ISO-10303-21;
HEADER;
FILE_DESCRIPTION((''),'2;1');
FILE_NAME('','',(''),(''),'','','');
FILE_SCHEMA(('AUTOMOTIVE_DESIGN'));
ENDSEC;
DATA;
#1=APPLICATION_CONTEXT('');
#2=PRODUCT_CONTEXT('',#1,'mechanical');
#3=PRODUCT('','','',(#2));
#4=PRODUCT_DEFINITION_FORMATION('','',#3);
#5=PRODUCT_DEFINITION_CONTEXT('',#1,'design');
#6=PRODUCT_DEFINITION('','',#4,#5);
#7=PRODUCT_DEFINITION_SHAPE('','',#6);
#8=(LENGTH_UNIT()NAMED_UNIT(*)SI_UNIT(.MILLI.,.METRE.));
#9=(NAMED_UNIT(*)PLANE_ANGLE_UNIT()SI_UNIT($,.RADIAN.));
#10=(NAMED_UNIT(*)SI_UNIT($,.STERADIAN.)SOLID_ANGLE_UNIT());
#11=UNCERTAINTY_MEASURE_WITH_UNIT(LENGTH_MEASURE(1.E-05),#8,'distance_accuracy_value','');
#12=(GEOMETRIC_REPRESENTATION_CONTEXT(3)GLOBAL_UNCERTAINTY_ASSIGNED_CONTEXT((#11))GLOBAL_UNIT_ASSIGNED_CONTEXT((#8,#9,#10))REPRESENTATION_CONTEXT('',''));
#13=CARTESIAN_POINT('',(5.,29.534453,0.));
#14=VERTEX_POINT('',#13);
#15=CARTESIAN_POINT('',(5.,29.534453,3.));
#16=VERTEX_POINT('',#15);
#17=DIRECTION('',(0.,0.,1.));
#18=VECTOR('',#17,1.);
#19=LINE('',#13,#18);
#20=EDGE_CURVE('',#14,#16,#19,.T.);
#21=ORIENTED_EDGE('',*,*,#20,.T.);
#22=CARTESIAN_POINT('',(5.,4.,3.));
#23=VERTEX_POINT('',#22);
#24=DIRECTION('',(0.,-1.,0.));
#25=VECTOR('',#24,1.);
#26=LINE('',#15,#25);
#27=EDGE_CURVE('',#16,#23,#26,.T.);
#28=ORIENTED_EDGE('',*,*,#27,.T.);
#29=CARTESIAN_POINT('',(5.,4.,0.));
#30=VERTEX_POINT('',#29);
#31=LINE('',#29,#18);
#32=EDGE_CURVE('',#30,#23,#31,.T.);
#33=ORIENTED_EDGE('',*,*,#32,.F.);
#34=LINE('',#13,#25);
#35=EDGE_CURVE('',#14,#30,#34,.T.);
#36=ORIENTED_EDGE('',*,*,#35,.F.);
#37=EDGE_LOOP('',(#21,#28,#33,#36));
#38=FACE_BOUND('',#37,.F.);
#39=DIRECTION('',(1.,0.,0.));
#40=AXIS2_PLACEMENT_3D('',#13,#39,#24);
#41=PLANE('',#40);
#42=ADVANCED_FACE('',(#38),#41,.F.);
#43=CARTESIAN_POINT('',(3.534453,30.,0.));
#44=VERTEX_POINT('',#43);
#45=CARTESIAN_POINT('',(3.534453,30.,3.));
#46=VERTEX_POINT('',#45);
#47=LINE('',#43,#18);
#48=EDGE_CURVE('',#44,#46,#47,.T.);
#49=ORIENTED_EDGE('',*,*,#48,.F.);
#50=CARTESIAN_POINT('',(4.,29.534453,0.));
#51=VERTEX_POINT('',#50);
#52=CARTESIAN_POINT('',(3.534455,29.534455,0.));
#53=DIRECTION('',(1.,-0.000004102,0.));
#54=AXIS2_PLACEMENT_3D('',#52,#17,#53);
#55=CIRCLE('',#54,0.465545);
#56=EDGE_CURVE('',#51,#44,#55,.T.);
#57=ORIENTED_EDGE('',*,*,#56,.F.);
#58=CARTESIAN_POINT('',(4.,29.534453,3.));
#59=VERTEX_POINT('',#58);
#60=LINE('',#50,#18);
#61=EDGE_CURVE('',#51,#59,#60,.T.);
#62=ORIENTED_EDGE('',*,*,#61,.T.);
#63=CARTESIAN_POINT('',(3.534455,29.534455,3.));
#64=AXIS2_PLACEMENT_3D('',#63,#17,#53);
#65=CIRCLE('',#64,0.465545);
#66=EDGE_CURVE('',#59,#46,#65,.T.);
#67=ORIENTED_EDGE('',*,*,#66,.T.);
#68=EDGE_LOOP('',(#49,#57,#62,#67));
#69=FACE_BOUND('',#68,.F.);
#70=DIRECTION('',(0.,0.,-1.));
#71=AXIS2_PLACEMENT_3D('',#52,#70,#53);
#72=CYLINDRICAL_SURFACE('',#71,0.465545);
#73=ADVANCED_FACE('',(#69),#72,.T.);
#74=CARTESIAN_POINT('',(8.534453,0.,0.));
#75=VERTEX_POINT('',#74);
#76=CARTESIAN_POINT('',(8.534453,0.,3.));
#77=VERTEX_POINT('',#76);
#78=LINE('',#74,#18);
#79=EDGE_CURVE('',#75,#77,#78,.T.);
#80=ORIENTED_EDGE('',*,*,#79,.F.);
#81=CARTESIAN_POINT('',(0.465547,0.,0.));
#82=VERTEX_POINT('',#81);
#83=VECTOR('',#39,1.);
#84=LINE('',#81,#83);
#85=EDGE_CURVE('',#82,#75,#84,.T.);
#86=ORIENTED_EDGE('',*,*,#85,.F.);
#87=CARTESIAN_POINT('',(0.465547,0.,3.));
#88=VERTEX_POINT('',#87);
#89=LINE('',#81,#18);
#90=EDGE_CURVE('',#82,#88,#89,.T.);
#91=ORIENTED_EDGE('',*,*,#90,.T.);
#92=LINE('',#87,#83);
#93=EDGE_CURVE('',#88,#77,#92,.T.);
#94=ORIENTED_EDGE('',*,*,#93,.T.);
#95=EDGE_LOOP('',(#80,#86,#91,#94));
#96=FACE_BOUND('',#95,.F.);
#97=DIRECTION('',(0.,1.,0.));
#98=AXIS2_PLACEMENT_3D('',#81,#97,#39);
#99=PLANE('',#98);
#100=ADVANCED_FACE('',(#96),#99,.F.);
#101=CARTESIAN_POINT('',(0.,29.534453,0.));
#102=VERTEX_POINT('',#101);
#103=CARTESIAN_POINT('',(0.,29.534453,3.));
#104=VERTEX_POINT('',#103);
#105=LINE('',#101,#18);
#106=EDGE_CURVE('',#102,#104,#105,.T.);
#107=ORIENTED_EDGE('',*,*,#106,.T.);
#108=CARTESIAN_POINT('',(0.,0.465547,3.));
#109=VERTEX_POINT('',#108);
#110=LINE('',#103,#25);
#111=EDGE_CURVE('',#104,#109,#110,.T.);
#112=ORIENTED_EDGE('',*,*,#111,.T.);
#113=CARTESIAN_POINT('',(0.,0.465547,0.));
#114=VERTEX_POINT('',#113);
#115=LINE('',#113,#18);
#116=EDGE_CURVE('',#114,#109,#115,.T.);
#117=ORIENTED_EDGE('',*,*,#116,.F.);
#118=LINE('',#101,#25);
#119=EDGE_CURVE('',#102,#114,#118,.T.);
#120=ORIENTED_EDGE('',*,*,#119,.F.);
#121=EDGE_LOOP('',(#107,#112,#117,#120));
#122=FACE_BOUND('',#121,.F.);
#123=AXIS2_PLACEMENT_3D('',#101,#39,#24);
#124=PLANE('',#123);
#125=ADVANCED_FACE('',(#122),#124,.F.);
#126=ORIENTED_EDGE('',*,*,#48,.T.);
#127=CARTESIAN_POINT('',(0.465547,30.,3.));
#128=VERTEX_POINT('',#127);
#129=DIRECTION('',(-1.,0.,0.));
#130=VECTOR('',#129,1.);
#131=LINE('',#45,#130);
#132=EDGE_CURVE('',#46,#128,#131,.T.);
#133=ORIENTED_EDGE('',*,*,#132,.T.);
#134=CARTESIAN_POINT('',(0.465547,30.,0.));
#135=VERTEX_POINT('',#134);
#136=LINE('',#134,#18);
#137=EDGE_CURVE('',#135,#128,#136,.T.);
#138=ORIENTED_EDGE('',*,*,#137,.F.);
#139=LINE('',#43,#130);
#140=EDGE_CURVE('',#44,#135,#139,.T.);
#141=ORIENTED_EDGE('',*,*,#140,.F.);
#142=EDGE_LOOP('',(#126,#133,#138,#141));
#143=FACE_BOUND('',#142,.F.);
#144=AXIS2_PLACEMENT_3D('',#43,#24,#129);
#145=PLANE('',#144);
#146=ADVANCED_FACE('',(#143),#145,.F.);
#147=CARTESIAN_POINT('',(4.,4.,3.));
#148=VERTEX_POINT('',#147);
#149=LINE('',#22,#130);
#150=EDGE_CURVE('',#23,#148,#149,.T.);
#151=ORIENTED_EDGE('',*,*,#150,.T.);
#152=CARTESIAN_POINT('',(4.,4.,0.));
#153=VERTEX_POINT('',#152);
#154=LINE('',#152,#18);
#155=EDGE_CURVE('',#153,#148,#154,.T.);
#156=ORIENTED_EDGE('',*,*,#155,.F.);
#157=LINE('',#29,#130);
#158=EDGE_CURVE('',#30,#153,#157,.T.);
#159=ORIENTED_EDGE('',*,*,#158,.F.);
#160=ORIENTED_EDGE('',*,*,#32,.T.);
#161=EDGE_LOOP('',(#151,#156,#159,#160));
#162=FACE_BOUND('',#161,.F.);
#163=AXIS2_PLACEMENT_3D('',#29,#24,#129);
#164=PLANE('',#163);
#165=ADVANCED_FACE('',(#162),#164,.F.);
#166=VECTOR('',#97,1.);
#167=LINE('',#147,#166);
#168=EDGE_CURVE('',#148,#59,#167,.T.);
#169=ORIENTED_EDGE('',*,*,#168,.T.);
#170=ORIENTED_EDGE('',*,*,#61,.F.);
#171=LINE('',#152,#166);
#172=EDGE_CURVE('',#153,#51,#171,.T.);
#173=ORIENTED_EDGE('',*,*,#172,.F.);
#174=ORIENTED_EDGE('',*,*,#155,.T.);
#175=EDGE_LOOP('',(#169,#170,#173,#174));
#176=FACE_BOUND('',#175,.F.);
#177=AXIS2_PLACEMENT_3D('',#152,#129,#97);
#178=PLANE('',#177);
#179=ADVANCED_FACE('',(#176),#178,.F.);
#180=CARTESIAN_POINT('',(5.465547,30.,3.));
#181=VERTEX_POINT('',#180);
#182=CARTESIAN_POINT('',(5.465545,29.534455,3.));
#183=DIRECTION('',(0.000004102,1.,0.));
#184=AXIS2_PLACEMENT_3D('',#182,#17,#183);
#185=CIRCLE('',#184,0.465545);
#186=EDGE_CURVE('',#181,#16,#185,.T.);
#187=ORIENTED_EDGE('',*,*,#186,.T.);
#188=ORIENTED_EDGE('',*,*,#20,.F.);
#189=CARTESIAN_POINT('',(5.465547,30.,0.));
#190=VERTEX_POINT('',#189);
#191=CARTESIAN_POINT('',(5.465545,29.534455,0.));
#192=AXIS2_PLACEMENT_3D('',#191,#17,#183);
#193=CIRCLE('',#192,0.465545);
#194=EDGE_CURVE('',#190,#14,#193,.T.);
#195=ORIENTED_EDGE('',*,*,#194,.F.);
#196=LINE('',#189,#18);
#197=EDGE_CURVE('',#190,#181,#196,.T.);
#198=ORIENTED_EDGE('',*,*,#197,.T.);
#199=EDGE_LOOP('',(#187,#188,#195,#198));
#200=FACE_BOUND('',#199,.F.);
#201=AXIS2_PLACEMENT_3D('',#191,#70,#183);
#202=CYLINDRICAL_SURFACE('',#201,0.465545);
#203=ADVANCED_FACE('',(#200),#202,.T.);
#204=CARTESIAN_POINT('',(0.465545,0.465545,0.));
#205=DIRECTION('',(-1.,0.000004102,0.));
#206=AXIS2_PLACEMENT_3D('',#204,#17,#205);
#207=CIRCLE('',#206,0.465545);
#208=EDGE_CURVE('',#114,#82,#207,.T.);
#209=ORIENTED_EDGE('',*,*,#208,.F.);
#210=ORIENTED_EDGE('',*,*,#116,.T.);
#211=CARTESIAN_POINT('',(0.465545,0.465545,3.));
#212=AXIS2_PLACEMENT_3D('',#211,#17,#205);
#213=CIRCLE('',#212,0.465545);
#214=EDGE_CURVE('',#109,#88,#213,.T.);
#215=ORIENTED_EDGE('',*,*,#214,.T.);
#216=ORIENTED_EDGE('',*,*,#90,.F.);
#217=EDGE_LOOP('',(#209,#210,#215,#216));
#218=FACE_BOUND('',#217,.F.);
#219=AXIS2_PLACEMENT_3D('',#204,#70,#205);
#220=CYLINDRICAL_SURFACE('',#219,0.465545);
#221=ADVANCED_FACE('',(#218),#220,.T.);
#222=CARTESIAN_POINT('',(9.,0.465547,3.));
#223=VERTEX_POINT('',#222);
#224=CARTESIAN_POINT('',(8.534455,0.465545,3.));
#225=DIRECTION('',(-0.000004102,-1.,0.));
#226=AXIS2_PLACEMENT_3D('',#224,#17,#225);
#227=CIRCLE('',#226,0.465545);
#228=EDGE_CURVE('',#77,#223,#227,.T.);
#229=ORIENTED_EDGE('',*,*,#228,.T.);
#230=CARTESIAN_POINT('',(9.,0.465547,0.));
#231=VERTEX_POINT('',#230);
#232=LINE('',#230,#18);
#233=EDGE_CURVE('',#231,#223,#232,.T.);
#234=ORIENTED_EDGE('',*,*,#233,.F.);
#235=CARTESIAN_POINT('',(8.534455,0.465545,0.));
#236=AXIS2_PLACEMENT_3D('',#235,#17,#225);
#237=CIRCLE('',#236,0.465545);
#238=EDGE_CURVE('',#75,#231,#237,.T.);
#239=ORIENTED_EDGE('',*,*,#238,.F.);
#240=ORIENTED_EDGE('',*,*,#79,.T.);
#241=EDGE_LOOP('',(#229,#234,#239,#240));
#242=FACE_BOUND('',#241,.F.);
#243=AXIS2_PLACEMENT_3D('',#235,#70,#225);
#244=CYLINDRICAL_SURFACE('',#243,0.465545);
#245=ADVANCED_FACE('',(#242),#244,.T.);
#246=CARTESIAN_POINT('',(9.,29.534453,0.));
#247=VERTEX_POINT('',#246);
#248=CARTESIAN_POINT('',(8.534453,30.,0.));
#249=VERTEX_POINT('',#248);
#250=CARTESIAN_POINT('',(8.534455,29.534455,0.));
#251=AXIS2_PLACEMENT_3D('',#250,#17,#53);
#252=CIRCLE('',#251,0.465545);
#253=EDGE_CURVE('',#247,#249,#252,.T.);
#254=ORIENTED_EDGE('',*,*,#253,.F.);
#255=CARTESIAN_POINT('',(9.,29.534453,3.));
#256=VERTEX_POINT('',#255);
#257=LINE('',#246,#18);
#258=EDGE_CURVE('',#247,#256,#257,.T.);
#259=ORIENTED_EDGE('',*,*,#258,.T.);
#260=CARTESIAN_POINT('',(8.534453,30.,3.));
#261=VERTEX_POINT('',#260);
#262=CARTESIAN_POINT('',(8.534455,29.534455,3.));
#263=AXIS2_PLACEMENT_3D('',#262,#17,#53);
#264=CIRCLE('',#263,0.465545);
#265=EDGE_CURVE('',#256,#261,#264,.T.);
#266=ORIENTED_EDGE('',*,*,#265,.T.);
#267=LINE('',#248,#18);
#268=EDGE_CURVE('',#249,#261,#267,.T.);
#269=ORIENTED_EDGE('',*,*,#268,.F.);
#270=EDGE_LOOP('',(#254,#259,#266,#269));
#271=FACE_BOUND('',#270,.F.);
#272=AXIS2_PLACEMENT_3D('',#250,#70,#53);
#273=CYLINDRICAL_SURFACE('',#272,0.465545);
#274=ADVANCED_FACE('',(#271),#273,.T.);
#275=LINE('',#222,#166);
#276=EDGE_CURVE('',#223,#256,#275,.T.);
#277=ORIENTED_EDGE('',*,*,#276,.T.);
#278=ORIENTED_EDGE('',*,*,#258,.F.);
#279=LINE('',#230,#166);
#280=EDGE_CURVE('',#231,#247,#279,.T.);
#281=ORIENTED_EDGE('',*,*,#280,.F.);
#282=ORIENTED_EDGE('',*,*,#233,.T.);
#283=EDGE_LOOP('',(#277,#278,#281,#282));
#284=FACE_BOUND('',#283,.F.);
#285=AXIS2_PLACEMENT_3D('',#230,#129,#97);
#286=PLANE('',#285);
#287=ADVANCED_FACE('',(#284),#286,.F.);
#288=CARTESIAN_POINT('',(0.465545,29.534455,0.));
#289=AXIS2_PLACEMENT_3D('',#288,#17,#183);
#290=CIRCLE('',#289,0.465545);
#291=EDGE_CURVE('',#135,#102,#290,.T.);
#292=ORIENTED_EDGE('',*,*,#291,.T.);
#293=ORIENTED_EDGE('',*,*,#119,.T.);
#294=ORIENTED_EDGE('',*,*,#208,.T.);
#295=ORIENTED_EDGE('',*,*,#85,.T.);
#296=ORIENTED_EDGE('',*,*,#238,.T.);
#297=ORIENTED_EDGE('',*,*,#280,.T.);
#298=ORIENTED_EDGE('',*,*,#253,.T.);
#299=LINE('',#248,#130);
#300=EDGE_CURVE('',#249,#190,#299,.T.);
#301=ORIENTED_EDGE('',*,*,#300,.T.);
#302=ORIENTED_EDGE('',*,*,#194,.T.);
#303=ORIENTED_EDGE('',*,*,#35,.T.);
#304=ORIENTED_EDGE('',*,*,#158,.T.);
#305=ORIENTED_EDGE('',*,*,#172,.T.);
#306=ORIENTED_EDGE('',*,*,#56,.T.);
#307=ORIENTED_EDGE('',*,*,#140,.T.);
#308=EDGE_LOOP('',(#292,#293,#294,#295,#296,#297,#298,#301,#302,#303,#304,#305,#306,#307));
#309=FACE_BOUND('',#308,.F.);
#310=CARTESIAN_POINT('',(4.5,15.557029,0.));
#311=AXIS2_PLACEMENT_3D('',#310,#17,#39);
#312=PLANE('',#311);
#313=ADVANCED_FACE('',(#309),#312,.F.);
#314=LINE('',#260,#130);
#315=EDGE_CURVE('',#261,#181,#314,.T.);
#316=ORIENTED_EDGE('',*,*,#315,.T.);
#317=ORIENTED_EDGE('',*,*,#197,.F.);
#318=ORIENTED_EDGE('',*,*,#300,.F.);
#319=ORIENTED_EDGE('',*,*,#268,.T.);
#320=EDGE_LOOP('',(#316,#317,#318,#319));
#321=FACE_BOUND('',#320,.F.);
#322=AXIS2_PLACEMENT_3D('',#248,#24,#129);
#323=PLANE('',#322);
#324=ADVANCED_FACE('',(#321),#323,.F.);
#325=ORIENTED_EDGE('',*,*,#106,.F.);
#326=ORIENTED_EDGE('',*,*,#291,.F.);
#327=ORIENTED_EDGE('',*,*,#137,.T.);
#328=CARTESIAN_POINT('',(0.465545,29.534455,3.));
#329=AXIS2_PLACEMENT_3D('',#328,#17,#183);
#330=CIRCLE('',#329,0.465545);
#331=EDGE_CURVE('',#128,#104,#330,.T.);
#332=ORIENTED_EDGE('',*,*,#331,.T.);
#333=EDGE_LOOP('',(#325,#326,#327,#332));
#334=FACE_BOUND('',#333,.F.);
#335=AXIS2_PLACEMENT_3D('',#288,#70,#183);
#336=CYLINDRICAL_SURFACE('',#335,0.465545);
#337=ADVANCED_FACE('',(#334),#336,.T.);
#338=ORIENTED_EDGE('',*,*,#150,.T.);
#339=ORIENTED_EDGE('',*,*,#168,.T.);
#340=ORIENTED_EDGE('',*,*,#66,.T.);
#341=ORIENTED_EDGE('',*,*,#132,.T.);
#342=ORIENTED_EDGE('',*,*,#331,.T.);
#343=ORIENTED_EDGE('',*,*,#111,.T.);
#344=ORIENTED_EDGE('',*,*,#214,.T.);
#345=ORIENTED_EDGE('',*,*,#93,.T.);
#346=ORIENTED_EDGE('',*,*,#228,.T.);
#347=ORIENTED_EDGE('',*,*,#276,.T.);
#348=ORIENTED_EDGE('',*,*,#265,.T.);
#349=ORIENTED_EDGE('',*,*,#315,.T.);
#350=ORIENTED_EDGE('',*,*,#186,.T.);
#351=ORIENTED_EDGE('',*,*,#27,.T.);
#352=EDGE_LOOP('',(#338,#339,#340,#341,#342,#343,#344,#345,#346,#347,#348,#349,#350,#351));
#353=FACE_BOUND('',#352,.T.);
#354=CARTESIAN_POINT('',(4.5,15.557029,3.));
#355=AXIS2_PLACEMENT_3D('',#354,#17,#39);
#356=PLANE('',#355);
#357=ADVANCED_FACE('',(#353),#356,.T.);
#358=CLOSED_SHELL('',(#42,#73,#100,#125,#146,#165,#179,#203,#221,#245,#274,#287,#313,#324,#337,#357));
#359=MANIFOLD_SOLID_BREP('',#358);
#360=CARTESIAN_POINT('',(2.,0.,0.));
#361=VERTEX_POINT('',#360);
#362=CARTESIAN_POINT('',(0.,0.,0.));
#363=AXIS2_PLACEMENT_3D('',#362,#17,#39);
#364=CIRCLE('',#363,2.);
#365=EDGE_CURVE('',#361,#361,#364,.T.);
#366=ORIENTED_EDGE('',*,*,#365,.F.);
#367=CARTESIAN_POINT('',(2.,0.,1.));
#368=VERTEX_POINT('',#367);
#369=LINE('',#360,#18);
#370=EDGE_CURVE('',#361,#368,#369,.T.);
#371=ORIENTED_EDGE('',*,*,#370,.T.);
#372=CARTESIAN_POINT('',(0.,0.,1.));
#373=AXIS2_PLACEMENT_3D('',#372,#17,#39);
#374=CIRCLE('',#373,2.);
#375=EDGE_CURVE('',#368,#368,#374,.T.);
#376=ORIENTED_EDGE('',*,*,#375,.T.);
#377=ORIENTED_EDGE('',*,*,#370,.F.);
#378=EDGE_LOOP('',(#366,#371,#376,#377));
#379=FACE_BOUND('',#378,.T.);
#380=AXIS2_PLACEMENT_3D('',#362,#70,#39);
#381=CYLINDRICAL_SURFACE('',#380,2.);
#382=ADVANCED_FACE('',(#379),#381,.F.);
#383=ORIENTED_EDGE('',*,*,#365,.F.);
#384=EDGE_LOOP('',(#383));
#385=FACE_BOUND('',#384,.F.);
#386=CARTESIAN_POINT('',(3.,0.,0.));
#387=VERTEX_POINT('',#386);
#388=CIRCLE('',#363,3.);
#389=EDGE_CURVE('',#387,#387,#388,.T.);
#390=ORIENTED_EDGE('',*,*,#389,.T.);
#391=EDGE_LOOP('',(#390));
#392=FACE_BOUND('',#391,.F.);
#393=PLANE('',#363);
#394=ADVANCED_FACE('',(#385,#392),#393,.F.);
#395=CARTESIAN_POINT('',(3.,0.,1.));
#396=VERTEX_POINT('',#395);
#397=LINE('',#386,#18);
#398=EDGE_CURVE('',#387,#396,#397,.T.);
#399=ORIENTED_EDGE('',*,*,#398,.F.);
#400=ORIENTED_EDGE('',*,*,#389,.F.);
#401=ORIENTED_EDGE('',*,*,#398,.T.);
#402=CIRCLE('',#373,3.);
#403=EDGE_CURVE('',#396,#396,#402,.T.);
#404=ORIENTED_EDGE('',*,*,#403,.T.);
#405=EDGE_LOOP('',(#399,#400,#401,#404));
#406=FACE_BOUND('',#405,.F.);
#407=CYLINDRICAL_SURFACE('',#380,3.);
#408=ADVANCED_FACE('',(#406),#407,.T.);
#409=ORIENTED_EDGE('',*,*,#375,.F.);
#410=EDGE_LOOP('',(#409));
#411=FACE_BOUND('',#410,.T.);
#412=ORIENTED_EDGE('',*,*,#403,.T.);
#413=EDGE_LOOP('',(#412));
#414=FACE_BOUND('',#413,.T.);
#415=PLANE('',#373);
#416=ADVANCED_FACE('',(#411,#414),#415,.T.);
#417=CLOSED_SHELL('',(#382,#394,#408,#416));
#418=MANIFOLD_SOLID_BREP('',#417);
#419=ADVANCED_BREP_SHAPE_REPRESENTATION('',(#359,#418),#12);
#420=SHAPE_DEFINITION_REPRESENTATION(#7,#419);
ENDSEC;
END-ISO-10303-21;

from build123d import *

# Parameters (mm, degrees)
F1_DEPTH = 3
F2_R     = 3
F2_R_2   = 2
F3_DEPTH = 1


with BuildPart() as f1:
    # F0 (on Top) → F1 (new body)
    with BuildSketch(Plane.XY):
        with BuildLine():
            ThreePointArc((0.465547, 30), (0.136355, 29.863645), (0, 29.534453))
            Line((0, 29.534453), (0, 0.465547))
            ThreePointArc((0, 0.465547), (0.136355, 0.136355), (0.465547, 0))
            Line((0.465547, 0), (8.534453, 0))
            ThreePointArc((8.534453, 0), (8.863645, 0.136355), (9, 0.465547))
            Line((9, 0.465547), (9, 29.534453))
            ThreePointArc((9, 29.534453), (8.863645, 29.863645), (8.534453, 30))
            Line((8.534453, 30), (5.465547, 30))
            ThreePointArc((5.465547, 30), (5.136355, 29.863645), (5, 29.534453))
            Line((5, 29.534453), (5, 4))
            Line((5, 4), (4, 4))
            Line((4, 4), (4, 29.534453))
            ThreePointArc((4, 29.534453), (3.863645, 29.863645), (3.534453, 30))
            Line((3.534453, 30), (0.465547, 30))
        make_face()
    extrude(amount=F1_DEPTH)


with BuildPart() as f3:
    # F2 (on Top) → F3 (new body)
    with BuildSketch(Plane.XY):
        Circle(F2_R)
        Circle(F2_R_2, mode=Mode.SUBTRACT)
    extrude(amount=F3_DEPTH)


solid = Compound([f1.part, f3.part])
